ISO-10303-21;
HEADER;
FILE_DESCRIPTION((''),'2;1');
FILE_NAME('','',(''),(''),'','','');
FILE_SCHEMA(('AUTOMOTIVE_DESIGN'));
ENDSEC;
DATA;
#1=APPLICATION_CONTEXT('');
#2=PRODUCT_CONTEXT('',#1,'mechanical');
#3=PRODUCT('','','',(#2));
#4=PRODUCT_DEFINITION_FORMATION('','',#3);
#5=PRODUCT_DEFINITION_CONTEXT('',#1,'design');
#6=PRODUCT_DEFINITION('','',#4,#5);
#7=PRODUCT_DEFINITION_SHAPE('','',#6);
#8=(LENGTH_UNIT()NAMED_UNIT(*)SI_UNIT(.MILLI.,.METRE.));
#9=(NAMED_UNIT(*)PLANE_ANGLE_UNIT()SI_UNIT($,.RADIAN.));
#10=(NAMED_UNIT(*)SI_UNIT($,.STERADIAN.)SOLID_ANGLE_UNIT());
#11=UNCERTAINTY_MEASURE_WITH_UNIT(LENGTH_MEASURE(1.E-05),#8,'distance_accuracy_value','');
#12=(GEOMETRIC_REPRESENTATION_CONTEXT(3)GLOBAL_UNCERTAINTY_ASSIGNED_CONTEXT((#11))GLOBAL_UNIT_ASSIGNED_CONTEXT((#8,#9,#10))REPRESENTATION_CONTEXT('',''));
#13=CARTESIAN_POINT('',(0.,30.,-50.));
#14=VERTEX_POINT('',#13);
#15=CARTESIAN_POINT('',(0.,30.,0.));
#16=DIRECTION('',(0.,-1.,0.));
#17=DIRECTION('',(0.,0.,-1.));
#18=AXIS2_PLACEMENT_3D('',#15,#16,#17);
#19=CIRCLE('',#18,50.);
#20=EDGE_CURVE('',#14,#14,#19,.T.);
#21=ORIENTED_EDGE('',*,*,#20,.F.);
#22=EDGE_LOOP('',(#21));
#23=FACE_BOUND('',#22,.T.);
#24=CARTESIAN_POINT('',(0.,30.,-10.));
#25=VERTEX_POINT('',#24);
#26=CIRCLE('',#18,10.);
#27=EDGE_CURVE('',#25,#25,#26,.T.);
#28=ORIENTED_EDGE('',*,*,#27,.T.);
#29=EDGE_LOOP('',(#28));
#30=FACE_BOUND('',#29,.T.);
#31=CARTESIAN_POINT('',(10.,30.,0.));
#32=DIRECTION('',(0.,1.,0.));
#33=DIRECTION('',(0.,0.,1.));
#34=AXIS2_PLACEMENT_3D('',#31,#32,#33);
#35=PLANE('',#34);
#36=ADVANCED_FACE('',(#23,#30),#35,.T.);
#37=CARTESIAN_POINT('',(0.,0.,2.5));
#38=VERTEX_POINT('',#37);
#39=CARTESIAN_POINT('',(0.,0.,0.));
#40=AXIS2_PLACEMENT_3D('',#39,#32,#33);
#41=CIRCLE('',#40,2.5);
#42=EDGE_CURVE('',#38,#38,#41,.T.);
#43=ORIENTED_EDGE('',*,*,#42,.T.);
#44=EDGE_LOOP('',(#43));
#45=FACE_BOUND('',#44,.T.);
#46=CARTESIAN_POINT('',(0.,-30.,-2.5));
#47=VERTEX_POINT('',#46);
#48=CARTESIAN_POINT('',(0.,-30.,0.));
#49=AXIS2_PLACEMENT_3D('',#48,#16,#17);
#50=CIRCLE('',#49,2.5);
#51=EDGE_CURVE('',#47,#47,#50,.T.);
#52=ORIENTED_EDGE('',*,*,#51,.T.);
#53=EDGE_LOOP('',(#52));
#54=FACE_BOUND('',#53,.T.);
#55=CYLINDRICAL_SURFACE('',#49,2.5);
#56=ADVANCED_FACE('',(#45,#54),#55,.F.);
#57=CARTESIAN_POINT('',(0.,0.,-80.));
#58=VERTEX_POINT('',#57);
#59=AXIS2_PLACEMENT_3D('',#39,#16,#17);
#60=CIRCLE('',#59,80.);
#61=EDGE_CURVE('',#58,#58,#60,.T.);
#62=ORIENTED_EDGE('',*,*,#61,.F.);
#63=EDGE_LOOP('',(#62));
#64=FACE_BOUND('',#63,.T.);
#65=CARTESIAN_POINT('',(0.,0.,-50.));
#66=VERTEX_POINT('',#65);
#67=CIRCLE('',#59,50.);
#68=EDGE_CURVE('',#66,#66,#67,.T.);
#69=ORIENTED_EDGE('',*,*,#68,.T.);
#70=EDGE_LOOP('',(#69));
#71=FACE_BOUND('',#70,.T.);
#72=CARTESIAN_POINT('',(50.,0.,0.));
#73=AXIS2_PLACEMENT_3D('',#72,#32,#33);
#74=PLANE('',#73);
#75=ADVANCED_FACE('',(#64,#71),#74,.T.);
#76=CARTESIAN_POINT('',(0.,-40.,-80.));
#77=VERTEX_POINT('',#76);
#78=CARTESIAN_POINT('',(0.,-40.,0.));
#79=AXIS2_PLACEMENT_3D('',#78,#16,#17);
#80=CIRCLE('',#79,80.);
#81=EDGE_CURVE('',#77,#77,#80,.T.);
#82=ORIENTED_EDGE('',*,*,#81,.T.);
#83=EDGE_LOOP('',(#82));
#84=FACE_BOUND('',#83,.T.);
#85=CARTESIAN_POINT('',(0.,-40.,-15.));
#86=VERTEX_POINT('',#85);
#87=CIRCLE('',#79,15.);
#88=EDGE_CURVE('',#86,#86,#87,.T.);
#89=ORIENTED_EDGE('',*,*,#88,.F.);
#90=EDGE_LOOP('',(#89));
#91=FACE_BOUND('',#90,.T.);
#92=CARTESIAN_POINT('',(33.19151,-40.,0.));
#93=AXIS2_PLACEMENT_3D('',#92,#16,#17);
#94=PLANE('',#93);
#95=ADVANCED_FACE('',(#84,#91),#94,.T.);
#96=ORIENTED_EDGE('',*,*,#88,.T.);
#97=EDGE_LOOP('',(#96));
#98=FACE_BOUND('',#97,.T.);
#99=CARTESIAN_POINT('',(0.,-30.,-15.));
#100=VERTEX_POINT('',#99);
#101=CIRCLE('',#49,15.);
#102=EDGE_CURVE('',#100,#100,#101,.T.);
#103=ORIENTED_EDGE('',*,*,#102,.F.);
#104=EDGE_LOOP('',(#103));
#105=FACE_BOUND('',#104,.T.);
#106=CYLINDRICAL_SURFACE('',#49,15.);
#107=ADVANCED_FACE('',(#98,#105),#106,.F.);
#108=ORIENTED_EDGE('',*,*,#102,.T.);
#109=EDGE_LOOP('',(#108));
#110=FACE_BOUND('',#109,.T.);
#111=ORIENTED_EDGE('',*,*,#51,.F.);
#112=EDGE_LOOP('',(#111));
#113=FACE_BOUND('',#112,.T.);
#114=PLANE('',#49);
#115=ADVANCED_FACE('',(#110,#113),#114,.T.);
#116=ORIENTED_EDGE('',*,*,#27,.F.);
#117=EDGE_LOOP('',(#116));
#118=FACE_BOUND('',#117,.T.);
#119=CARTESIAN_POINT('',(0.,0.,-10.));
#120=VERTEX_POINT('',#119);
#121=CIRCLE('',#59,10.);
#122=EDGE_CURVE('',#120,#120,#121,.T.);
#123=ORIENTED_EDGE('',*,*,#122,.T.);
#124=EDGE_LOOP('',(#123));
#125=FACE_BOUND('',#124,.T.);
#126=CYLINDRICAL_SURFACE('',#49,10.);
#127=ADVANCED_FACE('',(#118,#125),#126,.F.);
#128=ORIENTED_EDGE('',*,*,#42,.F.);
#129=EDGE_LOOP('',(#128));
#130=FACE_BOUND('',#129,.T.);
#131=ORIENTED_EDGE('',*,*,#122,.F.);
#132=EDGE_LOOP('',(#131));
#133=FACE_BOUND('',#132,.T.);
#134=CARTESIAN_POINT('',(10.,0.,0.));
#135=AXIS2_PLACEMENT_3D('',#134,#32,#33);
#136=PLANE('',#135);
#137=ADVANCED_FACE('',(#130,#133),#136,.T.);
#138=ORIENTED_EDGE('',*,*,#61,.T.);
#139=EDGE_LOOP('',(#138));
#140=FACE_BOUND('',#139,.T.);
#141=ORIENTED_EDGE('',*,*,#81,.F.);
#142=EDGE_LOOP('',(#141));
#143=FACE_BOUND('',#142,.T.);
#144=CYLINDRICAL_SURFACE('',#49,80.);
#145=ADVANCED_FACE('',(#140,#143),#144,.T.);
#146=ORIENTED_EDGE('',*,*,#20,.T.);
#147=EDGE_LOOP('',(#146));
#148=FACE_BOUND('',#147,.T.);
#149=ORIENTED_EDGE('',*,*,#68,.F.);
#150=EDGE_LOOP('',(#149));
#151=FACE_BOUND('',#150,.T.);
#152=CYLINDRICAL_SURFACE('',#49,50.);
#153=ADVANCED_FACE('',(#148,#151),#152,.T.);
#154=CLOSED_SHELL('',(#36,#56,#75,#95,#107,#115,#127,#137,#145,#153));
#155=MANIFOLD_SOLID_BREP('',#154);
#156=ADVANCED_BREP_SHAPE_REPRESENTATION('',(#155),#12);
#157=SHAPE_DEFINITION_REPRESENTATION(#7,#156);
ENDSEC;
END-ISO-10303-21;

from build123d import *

# Parameters (mm, degrees)
HOLE_WIZARD_M6_2_D = 5


with BuildPart() as part:
    # 草图1 → 旋转1 (revolve)
    with BuildSketch(Plane.XY, mode=Mode.PRIVATE) as revolve_1_sk:
        Polygon((10, 30), (50, 30), (50, 0), (80, 0), (80, -40), (33.191510013, -40), (15, -40), (15, -30), (0, -30), (0, 0), (10, 0), align=None)
    revolve(revolve_1_sk.sketch.rotate(Axis((0, -30, 0), (0, 1, 0)), 90), axis=Axis((0, -30, 0), (0, 1, 0)))

    # M6 螺纹孔2 (through all)
    with Locations(Plane(origin=(0, -30, 0), x_dir=(-1, 0, 0), z_dir=(0, -1, 0))):
        with Locations((0, 0)):
            Hole(HOLE_WIZARD_M6_2_D / 2)


solid = part.part
